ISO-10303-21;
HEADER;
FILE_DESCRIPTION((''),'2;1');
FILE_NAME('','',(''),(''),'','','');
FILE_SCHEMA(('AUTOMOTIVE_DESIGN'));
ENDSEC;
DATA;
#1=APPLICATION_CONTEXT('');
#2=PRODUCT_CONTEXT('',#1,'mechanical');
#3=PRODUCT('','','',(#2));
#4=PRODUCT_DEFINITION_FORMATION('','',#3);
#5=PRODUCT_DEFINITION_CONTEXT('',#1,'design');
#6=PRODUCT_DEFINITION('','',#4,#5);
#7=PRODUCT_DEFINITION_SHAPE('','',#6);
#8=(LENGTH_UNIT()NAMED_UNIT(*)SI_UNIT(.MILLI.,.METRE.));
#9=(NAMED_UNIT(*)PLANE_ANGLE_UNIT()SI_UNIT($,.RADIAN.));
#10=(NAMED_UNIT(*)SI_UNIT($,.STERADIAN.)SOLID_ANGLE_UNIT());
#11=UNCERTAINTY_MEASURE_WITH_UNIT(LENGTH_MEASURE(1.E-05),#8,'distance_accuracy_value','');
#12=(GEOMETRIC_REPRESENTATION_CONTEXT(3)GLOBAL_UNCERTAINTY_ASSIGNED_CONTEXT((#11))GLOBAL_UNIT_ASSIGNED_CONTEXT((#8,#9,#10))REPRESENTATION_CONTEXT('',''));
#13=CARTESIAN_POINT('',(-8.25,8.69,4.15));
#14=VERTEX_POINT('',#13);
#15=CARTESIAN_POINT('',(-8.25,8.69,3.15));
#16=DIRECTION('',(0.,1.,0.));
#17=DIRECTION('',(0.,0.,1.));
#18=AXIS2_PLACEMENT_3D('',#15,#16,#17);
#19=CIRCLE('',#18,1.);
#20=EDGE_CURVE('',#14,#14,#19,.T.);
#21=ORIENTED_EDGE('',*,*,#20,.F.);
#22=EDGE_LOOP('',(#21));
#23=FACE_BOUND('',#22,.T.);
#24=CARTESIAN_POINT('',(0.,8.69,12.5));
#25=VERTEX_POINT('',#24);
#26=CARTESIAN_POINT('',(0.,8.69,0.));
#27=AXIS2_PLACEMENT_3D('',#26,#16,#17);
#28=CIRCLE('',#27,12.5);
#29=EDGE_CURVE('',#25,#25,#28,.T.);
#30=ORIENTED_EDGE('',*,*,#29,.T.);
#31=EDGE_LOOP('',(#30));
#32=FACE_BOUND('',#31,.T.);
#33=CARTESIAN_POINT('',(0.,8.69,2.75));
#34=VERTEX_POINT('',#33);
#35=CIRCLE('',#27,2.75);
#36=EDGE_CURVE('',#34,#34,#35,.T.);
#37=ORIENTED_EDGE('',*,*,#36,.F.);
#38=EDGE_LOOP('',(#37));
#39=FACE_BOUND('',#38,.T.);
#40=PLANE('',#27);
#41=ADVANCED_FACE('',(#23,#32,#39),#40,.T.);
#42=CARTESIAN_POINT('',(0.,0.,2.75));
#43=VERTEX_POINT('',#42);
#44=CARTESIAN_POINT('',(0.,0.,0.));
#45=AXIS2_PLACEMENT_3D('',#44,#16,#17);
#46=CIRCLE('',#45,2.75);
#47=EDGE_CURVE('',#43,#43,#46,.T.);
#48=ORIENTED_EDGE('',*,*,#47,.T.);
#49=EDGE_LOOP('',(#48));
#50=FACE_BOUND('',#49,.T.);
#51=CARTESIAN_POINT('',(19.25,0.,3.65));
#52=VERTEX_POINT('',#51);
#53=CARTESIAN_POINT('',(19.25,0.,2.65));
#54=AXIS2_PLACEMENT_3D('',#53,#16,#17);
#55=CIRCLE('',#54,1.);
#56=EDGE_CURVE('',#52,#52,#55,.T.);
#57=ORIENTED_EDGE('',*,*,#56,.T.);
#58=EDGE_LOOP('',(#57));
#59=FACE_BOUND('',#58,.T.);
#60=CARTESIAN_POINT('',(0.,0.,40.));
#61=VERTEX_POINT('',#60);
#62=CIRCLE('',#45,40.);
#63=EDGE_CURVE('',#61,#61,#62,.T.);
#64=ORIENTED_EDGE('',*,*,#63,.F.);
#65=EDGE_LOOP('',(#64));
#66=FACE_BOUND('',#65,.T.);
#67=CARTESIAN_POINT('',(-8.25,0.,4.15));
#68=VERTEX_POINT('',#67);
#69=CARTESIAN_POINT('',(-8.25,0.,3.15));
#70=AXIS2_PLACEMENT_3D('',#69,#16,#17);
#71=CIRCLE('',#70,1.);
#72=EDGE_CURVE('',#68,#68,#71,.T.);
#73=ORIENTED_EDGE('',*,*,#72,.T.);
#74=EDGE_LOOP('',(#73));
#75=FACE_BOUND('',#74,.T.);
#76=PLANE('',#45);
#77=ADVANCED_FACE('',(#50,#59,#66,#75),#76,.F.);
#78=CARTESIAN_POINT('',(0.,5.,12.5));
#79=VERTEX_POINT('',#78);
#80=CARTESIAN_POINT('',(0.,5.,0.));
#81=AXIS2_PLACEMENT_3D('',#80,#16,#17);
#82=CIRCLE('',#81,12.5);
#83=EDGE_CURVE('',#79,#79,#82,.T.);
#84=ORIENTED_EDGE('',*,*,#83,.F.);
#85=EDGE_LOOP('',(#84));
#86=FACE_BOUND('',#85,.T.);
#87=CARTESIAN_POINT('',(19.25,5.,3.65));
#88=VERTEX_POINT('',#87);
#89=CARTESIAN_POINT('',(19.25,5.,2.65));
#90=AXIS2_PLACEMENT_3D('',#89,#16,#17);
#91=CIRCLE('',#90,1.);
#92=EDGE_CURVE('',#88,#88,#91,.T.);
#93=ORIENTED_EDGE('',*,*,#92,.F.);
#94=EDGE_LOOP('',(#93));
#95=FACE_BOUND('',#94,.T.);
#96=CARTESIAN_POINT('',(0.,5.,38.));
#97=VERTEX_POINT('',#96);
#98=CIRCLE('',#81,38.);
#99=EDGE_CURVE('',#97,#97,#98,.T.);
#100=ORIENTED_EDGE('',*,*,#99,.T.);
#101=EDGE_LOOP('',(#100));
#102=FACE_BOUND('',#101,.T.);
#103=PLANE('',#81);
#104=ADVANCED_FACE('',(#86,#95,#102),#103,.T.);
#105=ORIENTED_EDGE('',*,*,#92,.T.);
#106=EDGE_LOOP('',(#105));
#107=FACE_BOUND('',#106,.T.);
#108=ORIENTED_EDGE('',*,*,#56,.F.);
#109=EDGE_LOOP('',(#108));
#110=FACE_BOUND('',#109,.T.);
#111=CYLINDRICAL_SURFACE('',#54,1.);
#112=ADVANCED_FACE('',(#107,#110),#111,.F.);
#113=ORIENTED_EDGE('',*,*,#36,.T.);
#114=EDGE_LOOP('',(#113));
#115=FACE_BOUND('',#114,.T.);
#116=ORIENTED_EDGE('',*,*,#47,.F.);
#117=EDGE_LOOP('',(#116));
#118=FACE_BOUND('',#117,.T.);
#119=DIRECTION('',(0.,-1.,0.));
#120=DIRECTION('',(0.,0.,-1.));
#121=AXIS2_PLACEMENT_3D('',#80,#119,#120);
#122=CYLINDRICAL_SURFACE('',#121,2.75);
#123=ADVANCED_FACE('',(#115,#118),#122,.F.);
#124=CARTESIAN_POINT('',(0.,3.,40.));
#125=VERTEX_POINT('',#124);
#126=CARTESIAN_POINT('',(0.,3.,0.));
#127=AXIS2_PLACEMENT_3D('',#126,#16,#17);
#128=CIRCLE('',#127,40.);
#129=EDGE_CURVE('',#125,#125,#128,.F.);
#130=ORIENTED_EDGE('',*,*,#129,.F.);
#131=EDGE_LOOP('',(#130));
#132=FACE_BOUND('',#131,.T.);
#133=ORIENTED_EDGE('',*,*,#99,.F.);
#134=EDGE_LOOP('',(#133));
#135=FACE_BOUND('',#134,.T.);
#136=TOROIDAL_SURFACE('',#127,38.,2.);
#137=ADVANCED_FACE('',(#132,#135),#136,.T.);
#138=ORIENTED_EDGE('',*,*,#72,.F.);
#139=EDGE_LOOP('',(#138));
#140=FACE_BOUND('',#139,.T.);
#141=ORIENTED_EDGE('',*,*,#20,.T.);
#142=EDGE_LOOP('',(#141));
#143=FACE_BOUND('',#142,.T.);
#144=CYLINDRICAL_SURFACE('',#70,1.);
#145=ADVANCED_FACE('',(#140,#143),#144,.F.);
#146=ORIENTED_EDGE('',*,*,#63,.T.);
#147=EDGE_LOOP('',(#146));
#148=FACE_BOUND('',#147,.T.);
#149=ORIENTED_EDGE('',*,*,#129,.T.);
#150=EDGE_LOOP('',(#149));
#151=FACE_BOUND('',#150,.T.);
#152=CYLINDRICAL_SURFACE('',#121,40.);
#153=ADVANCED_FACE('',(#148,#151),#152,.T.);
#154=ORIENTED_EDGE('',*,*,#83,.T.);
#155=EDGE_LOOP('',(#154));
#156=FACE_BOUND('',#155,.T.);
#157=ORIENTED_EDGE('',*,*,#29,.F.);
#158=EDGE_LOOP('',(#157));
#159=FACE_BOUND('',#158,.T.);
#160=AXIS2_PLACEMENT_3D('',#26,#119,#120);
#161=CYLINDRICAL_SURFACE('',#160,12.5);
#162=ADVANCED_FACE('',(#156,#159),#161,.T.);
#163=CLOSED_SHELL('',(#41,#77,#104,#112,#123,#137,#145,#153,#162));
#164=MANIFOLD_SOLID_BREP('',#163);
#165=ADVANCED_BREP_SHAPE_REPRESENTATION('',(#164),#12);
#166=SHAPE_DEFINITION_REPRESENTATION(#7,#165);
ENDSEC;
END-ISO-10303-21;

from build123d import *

# Parameters (mm, degrees)
SKETCH2_R           = 40
SKETCH2_R_2         = 2.75
BOSS_EXTRUDE1_DEPTH = 5
FILLET1_R           = 2
SKETCH3_R           = 12.5
SKETCH3_R_2         = 2.75
BOSS_EXTRUDE2_DEPTH = 3.69
SKETCH4_R           = 1
CUT_EXTRUDE1_DEPTH  = 58.23212479


with BuildPart() as part:
    # Sketch2 → Boss-Extrude1 (new body)
    with BuildSketch(Plane(origin=(0, 0, 0), x_dir=(1, 0, 0), z_dir=(0, 1, 0))):
        with Locations(Location((0, 0, 0), (0, 0, 270))):
            Circle(SKETCH2_R)
        with Locations(Location((0, 0, 0), (0, 0, 270))):
            Circle(SKETCH2_R_2, mode=Mode.SUBTRACT)
    extrude(amount=BOSS_EXTRUDE1_DEPTH)

    # Fillet1
    fillet1_edges = [part.edges().sort_by_distance(p)[0] for p in [
        (0, 5, -40),
    ]]
    fillet(fillet1_edges, radius=FILLET1_R)

    # Sketch3 → Boss-Extrude2 (add)
    with BuildSketch(Plane(origin=(0, 5, 0), x_dir=(1, 0, 0), z_dir=(0, 1, 0))):
        with Locations(Location((0, 0, 0), (0, 0, 270))):
            Circle(SKETCH3_R)
        with Locations(Location((0, 0, 0), (0, 0, 270))):
            Circle(SKETCH3_R_2, mode=Mode.SUBTRACT)
    extrude(amount=BOSS_EXTRUDE2_DEPTH)

    # Sketch4 → Cut-Extrude1 (cut, through all)
    with BuildSketch(Plane(origin=(0, 8.69, 0), x_dir=(1, 0, 0), z_dir=(0, 1, 0))):
        with Locations(Location((-8.25, -3.15, 0), (0, 0, 270))):
            Circle(SKETCH4_R)
        with Locations(Location((19.25, -2.65, 0), (0, 0, 270))):
            Circle(SKETCH4_R)
    extrude(amount=-CUT_EXTRUDE1_DEPTH, mode=Mode.SUBTRACT)


solid = part.part
